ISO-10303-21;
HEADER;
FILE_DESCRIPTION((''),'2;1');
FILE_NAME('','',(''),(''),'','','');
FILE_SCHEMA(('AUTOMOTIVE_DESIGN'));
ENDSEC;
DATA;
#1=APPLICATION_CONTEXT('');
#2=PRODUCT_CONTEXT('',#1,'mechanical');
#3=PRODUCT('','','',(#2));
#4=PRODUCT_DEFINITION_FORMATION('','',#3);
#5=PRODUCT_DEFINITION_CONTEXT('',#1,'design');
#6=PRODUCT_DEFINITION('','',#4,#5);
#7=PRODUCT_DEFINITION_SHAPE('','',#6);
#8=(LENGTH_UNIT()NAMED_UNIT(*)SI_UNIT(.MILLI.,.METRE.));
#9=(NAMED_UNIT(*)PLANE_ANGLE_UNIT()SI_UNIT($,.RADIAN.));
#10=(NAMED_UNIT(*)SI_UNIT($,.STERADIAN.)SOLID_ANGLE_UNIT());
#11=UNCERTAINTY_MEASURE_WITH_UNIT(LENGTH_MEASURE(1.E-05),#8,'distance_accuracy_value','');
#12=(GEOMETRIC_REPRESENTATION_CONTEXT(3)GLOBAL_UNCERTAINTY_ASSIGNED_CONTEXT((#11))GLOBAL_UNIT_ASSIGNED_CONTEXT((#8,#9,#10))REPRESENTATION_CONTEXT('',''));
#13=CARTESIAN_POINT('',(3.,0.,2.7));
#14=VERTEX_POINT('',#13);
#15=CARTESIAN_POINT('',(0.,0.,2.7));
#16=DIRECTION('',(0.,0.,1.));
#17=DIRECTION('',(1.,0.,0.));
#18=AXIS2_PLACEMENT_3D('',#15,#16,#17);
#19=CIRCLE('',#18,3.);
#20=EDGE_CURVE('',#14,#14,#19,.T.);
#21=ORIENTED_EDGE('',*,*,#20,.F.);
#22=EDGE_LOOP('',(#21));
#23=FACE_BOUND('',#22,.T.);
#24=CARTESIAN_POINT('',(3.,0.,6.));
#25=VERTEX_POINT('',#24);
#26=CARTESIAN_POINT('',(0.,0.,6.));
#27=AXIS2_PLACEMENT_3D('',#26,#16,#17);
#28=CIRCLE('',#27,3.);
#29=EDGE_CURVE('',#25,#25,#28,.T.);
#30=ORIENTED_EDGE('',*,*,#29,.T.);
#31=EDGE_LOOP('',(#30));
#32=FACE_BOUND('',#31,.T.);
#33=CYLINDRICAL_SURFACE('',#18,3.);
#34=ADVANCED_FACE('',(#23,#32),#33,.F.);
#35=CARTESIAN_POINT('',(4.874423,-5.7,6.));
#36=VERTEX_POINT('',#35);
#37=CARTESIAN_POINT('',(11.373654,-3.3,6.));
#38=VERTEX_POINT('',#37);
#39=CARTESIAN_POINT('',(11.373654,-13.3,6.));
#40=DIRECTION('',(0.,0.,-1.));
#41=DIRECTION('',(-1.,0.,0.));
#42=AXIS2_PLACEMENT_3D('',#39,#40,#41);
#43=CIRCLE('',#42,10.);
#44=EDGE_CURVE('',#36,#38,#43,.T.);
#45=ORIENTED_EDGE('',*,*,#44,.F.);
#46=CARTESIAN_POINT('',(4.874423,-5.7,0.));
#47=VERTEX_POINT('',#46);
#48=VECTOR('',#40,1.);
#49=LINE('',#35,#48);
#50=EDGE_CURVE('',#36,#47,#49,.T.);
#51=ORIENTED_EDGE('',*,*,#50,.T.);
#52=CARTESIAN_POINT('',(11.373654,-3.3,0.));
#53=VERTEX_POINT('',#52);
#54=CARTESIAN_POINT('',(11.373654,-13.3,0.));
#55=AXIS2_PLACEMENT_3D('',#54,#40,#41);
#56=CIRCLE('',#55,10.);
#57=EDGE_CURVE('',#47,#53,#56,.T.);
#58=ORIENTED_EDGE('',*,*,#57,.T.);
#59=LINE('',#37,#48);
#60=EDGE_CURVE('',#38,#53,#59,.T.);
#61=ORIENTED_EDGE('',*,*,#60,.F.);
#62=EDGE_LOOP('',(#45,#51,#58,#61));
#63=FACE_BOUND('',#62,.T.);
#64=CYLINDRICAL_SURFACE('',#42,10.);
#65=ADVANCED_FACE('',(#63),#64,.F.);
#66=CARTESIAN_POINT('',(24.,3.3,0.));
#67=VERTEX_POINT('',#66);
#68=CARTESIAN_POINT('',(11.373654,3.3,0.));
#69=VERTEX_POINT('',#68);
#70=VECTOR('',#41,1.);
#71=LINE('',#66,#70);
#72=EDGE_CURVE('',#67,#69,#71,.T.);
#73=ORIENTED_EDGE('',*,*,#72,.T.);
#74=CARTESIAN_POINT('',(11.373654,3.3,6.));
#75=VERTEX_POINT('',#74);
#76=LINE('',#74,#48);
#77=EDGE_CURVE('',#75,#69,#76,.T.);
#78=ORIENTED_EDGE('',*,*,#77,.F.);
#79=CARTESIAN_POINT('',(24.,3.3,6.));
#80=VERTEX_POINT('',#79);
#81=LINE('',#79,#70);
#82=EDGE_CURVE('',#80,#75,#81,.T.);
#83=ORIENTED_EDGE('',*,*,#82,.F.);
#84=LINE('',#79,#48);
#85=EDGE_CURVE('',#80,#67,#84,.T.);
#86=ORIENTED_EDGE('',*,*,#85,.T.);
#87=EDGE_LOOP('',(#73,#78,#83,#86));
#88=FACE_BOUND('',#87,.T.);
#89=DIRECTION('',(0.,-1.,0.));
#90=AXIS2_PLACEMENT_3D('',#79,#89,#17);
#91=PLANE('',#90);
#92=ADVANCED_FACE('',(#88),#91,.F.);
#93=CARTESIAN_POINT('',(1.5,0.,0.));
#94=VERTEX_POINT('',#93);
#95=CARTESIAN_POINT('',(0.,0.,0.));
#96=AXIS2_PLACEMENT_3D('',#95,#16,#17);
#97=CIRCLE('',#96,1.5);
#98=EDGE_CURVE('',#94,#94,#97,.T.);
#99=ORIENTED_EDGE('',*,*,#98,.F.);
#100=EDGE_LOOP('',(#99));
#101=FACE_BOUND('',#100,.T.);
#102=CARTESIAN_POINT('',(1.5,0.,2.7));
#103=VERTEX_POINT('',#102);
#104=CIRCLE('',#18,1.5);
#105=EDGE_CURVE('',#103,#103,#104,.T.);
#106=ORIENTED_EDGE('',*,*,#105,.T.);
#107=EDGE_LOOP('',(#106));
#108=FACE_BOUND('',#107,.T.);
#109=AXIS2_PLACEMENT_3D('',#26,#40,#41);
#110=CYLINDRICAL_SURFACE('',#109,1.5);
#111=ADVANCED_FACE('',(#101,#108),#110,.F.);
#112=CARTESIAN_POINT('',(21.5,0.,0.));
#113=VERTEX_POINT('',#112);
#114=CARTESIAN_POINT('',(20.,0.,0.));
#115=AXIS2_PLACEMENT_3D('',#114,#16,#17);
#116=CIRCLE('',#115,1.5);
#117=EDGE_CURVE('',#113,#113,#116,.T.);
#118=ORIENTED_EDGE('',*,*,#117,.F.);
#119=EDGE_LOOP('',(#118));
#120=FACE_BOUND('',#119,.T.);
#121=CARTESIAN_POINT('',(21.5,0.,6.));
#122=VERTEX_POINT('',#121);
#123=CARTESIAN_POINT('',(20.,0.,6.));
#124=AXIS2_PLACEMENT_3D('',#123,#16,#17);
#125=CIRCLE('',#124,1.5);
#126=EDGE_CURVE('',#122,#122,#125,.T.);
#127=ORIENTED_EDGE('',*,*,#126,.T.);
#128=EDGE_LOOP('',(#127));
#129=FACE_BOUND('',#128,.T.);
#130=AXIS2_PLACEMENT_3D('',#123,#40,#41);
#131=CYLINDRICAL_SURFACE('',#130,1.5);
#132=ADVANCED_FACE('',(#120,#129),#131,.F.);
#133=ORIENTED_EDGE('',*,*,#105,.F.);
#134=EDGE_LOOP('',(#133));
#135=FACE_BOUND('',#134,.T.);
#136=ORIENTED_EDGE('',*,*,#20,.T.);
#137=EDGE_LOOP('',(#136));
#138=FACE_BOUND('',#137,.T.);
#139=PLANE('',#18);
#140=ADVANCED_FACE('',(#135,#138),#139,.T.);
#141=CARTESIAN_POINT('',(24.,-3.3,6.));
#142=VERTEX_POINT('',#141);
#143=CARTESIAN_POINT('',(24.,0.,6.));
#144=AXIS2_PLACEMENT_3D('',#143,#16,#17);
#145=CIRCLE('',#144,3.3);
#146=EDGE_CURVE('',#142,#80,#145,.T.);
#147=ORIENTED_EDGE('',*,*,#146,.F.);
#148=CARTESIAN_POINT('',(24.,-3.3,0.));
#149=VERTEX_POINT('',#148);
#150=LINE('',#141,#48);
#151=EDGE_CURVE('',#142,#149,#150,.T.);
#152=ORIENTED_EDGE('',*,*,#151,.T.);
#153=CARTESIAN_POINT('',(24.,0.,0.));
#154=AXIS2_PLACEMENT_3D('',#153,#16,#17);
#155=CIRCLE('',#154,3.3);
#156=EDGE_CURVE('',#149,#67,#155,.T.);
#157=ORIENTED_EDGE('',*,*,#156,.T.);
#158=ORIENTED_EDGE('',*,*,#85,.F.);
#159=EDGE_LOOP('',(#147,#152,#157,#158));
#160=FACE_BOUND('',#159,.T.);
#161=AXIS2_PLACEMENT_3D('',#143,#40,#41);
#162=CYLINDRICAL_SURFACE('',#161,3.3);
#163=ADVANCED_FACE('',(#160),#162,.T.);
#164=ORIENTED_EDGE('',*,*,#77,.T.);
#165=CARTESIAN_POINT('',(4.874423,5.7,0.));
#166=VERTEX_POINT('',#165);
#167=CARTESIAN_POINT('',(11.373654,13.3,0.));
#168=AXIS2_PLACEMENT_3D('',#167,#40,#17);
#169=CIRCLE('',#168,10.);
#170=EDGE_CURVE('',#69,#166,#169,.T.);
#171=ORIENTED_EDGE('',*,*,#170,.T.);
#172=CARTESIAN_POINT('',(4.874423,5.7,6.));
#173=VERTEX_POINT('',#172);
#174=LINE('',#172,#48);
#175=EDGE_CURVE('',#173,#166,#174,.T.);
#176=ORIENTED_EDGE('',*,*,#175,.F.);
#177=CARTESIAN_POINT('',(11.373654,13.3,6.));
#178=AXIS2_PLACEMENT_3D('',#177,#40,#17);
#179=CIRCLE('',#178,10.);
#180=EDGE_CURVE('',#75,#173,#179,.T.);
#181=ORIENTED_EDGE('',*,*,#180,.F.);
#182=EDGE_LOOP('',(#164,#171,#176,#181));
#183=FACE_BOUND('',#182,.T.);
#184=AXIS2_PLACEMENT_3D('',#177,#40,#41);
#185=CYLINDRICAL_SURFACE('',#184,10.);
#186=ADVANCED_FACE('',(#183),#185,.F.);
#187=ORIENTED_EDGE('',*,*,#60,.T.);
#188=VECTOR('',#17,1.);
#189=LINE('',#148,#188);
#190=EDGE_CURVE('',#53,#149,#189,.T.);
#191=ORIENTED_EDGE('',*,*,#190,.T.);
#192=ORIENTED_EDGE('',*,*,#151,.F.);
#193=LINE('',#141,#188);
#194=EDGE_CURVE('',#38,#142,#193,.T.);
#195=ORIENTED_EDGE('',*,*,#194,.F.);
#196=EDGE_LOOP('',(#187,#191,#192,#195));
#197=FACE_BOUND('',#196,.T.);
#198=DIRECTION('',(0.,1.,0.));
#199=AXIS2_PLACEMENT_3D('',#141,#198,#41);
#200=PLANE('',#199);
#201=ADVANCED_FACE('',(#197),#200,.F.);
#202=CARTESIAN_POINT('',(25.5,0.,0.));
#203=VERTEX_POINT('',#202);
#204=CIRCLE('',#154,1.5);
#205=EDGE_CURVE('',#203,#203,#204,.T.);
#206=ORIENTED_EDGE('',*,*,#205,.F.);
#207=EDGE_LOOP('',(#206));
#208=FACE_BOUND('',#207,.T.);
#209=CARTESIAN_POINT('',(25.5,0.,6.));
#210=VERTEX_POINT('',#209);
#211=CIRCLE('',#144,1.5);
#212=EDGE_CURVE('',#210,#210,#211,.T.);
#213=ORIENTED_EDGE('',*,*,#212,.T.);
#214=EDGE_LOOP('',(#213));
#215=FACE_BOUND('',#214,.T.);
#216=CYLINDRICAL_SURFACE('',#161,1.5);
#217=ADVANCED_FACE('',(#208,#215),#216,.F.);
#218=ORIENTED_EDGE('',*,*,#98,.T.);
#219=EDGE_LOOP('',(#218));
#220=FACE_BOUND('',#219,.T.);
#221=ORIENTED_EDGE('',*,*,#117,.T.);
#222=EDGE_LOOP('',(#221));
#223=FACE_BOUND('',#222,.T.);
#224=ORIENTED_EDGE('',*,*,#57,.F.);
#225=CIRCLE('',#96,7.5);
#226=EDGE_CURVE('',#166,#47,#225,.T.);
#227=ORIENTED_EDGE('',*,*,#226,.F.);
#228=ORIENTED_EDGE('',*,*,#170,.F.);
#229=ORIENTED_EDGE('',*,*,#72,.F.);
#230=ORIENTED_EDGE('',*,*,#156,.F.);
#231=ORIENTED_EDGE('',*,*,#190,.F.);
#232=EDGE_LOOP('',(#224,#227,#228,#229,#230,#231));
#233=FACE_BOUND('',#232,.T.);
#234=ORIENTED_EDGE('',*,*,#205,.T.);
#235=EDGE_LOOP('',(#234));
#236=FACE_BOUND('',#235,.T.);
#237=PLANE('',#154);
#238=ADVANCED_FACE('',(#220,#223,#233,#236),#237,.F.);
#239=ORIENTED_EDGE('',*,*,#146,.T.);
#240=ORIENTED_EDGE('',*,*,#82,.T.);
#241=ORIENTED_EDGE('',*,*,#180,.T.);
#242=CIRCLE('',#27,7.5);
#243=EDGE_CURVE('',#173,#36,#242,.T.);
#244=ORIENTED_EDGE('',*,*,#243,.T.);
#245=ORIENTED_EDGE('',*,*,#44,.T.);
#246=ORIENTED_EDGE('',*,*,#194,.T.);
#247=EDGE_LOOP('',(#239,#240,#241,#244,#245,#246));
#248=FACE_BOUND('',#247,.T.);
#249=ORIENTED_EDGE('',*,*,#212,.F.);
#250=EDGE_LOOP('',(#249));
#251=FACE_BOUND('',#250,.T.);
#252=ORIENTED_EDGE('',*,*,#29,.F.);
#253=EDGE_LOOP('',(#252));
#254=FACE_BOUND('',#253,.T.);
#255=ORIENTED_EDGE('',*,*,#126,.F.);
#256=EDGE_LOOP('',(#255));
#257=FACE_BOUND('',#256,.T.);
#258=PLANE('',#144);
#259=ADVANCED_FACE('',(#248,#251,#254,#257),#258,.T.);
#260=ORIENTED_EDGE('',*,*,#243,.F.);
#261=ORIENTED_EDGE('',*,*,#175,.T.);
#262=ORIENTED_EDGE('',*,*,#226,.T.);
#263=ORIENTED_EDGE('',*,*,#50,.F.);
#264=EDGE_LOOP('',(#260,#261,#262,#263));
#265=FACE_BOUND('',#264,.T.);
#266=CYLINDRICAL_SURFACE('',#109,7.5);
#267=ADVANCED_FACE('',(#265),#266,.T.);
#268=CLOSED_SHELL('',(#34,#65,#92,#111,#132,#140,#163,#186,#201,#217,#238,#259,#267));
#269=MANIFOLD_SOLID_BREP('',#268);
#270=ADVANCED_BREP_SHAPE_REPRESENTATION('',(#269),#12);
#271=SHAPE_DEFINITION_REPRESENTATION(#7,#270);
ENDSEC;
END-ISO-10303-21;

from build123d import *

# Parameters (mm, degrees)
SKETCH_1_R            = 1.5
EXTRUDE_530_DEPTH     = 6
SKETCH_2_R            = 3
CUT_EXTRUDE_709_DEPTH = 3.3


with BuildPart() as part:
    # Эскиз1 → Extrude 530 (new body)
    with BuildSketch(Plane.XY):
        with BuildLine():
            Line((24, 3.3), (11.373653766, 3.3))
            ThreePointArc((11.373653766, 3.3), (7.909552151, 3.91916848), (4.874423043, 5.7))
            ThreePointArc((4.874423043, 5.7), (-7.5, 0), (4.874423043, -5.7))
            ThreePointArc((4.874423043, -5.7), (7.909552151, -3.91916848), (11.373653766, -3.3))
            Line((11.373653766, -3.3), (24, -3.3))
            ThreePointArc((24, -3.3), (27.3, 0), (24, 3.3))
        make_face()
        with Locations((24, 0)):
            Circle(SKETCH_1_R, mode=Mode.SUBTRACT)
        with Locations((20, 0)):
            Circle(SKETCH_1_R, mode=Mode.SUBTRACT)
        Circle(SKETCH_1_R, mode=Mode.SUBTRACT)
    extrude(amount=EXTRUDE_530_DEPTH)

    # Эскиз2 → Cut-Extrude 709 (cut)
    with BuildSketch(Plane.XY.offset(6)):
        Circle(SKETCH_2_R)
    extrude(amount=-CUT_EXTRUDE_709_DEPTH, mode=Mode.SUBTRACT)


solid = part.part
